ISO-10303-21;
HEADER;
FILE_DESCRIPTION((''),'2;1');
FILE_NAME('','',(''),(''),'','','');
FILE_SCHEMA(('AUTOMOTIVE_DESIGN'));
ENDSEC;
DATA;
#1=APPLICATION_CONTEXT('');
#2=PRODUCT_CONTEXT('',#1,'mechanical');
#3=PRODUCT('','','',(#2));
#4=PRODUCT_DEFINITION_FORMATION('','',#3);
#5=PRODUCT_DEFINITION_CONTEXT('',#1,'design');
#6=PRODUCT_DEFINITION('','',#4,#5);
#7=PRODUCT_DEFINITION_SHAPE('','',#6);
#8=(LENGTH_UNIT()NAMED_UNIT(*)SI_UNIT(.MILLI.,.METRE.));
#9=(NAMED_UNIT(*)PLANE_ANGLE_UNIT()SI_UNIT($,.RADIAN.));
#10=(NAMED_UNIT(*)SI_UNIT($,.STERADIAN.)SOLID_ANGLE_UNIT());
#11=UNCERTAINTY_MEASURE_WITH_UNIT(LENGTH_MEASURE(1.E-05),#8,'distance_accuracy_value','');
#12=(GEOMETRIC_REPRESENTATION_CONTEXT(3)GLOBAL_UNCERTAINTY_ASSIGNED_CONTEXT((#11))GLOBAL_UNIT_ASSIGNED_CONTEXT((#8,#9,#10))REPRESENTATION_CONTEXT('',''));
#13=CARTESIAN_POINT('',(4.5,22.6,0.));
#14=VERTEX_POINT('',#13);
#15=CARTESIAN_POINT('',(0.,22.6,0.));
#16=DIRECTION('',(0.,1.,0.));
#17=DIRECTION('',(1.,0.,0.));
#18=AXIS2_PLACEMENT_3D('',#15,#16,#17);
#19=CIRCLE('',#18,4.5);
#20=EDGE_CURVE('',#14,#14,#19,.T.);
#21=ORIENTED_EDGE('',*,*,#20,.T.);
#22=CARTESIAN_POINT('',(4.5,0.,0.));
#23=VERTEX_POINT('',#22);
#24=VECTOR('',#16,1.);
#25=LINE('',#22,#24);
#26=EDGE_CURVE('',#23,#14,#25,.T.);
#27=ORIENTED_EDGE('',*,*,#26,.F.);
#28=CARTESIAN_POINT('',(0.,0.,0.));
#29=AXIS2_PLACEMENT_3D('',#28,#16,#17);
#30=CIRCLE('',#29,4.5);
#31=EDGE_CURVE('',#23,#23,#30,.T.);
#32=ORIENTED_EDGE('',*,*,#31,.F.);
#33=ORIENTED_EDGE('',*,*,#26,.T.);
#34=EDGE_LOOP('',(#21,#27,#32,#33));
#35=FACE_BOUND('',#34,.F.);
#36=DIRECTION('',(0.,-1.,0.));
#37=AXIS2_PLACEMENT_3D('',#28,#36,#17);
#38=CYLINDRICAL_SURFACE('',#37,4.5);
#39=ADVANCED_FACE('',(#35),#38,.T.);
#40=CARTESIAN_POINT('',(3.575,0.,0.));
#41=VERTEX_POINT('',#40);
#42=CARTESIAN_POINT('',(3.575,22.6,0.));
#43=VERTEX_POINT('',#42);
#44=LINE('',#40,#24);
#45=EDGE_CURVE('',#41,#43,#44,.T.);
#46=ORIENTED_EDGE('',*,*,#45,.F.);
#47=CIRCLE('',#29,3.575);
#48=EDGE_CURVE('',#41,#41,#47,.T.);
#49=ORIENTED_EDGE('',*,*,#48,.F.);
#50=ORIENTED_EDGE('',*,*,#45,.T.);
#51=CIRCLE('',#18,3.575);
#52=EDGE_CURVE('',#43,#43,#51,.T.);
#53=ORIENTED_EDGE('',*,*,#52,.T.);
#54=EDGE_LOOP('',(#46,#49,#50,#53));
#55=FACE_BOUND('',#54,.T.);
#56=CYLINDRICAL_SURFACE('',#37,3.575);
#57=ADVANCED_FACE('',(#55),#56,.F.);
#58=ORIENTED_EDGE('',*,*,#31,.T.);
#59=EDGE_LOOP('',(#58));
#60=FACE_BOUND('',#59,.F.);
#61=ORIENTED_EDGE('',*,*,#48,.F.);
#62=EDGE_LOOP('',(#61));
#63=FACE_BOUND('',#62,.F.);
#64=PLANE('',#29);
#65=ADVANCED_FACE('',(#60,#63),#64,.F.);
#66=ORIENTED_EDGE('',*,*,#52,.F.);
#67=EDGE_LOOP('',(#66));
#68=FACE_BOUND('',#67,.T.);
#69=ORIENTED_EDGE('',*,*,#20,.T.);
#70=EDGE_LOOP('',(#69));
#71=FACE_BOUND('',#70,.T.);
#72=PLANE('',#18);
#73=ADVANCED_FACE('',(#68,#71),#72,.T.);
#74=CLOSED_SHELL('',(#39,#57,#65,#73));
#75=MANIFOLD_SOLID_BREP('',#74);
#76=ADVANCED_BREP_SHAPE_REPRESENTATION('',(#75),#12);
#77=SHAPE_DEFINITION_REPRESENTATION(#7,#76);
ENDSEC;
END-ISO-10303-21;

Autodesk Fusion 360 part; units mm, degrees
sketch "Sketch1" plane through (0, 0, 0) normal (0, 1, 0) x (1, 0, 0)
  circle A0 centre (0, 0) radius 4.5
  circle A1 centre (0, 0) radius 3.575
  dimension "d1" = 9
  dimension "d2" = 7.15
extrude "Extrude1" add sketch "Sketch1" along normal blind 22.6
